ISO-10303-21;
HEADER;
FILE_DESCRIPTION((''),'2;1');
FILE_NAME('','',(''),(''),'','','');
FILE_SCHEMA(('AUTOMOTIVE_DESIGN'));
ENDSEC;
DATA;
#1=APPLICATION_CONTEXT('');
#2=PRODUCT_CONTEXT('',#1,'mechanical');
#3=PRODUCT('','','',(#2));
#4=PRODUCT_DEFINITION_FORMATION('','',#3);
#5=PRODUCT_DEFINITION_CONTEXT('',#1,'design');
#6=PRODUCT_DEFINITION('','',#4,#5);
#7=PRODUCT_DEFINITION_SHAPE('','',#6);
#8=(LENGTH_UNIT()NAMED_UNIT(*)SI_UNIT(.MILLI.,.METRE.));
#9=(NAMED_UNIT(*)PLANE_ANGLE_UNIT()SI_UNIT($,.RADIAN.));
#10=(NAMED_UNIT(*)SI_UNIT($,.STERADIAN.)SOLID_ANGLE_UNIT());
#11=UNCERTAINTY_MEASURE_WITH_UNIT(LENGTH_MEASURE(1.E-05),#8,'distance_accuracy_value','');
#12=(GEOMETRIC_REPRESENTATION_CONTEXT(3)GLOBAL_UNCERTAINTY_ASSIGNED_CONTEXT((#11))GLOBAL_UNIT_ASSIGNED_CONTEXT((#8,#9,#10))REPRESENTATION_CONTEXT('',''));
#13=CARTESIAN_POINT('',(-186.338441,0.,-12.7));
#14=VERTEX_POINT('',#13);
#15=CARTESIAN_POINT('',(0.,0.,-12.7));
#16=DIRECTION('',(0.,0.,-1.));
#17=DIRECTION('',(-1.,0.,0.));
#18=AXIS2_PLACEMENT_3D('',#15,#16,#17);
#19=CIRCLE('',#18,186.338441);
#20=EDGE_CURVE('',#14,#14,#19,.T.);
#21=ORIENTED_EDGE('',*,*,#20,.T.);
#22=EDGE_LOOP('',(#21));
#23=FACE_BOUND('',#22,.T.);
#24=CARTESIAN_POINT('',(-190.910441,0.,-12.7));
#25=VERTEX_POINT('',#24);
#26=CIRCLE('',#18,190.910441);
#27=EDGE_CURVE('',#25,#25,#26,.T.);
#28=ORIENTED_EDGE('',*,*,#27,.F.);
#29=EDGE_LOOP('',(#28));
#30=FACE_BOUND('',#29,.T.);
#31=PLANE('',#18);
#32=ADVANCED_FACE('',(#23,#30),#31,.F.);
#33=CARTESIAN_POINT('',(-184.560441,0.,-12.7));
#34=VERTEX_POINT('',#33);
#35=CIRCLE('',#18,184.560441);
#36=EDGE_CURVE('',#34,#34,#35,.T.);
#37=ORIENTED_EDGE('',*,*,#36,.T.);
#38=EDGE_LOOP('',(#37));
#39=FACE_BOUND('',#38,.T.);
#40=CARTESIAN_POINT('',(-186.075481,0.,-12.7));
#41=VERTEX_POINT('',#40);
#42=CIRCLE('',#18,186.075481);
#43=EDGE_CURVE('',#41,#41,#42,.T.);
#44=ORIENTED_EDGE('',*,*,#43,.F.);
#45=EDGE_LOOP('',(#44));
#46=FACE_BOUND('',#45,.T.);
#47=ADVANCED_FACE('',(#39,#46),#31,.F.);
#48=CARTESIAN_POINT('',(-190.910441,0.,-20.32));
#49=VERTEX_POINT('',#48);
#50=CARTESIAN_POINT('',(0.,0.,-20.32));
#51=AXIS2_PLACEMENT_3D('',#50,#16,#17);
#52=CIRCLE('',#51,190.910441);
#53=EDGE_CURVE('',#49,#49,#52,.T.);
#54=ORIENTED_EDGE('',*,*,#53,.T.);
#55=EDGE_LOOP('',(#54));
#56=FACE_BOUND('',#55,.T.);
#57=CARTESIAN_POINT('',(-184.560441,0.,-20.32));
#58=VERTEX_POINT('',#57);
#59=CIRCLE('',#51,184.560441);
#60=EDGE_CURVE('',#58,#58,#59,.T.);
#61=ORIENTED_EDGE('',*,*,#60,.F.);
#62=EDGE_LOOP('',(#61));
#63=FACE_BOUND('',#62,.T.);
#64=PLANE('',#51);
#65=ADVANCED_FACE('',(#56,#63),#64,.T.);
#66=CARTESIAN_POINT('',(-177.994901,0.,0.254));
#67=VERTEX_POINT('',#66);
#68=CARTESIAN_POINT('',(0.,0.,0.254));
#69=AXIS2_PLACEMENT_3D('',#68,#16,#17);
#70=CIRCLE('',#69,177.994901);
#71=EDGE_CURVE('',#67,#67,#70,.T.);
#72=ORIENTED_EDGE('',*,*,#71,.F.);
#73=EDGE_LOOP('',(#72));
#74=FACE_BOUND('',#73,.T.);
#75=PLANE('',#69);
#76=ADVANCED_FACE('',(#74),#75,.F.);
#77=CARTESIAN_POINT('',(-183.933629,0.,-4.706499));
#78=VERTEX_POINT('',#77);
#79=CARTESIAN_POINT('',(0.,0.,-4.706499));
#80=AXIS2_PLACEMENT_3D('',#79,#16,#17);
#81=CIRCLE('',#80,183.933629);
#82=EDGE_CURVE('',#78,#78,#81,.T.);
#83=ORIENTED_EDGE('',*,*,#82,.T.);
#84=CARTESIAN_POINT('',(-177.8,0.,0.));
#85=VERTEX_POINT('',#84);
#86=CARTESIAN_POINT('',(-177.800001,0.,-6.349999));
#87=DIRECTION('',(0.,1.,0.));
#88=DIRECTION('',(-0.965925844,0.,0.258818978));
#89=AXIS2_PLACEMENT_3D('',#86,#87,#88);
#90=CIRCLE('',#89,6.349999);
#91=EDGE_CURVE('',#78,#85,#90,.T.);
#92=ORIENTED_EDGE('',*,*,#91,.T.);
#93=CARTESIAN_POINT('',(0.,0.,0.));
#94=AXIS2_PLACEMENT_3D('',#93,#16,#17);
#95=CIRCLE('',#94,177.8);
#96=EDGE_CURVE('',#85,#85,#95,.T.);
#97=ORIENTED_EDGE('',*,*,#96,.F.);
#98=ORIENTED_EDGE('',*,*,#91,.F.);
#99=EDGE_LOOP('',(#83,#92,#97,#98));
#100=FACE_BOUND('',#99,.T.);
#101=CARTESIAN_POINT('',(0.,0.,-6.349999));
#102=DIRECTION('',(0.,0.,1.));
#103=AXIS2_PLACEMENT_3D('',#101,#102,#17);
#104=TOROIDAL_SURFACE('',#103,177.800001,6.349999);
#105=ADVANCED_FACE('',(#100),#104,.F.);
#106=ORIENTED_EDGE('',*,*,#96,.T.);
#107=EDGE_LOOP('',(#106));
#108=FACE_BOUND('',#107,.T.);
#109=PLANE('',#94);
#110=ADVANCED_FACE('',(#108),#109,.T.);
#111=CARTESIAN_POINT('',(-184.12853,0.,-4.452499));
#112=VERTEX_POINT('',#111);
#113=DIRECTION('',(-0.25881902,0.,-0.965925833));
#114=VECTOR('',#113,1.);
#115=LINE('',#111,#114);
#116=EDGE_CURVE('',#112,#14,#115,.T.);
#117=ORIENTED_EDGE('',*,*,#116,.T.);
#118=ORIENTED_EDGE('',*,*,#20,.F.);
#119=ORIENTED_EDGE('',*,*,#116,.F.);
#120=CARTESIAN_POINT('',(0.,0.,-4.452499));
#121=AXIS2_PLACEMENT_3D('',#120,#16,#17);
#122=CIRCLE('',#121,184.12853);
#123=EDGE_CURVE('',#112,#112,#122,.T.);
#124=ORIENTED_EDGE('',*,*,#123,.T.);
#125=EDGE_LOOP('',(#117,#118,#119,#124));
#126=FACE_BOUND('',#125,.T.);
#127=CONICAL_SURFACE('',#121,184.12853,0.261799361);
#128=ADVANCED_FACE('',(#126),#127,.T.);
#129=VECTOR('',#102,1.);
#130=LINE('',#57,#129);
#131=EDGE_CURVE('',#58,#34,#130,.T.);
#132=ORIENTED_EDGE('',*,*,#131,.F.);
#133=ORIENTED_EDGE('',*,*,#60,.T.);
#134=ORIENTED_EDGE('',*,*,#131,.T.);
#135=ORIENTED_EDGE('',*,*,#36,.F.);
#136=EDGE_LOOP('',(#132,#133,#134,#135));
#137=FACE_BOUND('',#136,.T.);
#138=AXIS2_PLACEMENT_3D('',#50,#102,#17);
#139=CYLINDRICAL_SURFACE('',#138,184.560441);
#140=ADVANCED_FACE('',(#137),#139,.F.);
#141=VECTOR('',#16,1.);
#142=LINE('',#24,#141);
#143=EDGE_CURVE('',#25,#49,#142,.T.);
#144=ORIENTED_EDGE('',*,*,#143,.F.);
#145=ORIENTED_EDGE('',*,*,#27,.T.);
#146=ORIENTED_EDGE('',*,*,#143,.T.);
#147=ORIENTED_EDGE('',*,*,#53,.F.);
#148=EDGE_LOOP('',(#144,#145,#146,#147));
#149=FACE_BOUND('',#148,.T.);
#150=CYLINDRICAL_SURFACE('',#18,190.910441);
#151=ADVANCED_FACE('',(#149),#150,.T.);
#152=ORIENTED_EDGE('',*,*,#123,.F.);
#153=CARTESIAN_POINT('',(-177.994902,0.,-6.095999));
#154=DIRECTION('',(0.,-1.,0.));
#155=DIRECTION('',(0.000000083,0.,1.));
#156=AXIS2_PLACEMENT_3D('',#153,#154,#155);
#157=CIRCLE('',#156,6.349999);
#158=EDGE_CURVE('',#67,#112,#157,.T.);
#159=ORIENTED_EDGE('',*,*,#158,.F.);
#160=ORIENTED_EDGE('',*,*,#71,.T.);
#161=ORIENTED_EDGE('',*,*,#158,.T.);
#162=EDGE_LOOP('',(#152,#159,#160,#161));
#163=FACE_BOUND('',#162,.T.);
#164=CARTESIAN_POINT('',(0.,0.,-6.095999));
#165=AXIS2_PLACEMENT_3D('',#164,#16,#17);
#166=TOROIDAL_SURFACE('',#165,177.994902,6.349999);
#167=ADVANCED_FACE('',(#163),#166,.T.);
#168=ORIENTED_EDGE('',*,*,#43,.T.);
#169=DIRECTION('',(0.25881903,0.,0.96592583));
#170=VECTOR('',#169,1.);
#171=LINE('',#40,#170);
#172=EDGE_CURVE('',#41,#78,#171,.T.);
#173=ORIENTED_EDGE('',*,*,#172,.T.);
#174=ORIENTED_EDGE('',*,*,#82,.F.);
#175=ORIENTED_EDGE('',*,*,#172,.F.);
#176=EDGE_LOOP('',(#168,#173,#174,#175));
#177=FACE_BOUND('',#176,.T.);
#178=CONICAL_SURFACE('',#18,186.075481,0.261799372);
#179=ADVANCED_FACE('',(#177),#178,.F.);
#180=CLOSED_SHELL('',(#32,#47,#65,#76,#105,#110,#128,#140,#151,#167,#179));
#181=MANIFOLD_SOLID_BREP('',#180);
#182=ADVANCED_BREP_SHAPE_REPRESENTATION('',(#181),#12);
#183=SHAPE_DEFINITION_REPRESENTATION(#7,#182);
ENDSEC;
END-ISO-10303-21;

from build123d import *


with BuildPart() as f1:
    # F0 (on Front) → F1 (revolve)
    with BuildSketch(Plane.XZ):
        with BuildLine():
            Line((-177.8, 0), (0, 0))
            Line((0, 0), (0, 0.254))
            Line((0, 0.254), (-177.994901, 0.254))
            ThreePointArc((-177.994901, 0.254), (-181.860536, -1.058206), (-184.12853, -4.452499))
            Line((-184.12853, -4.452499), (-186.338441, -12.7))
            Line((-186.338441, -12.7), (-190.910441, -12.7))
            Line((-190.910441, -12.7), (-190.910441, -20.32))
            Line((-190.910441, -20.32), (-184.560441, -20.32))
            Line((-184.560441, -20.32), (-184.560441, -12.7))
            Line((-184.560441, -12.7), (-186.075481, -12.7))
            Line((-186.075481, -12.7), (-183.933629, -4.706499))
            ThreePointArc((-183.933629, -4.706499), (-181.665635, -1.312206), (-177.8, 0))
        make_face()
    revolve(axis=Axis((0, 0, -46.123708), (0, 0, -1)))


solid = f1.part
